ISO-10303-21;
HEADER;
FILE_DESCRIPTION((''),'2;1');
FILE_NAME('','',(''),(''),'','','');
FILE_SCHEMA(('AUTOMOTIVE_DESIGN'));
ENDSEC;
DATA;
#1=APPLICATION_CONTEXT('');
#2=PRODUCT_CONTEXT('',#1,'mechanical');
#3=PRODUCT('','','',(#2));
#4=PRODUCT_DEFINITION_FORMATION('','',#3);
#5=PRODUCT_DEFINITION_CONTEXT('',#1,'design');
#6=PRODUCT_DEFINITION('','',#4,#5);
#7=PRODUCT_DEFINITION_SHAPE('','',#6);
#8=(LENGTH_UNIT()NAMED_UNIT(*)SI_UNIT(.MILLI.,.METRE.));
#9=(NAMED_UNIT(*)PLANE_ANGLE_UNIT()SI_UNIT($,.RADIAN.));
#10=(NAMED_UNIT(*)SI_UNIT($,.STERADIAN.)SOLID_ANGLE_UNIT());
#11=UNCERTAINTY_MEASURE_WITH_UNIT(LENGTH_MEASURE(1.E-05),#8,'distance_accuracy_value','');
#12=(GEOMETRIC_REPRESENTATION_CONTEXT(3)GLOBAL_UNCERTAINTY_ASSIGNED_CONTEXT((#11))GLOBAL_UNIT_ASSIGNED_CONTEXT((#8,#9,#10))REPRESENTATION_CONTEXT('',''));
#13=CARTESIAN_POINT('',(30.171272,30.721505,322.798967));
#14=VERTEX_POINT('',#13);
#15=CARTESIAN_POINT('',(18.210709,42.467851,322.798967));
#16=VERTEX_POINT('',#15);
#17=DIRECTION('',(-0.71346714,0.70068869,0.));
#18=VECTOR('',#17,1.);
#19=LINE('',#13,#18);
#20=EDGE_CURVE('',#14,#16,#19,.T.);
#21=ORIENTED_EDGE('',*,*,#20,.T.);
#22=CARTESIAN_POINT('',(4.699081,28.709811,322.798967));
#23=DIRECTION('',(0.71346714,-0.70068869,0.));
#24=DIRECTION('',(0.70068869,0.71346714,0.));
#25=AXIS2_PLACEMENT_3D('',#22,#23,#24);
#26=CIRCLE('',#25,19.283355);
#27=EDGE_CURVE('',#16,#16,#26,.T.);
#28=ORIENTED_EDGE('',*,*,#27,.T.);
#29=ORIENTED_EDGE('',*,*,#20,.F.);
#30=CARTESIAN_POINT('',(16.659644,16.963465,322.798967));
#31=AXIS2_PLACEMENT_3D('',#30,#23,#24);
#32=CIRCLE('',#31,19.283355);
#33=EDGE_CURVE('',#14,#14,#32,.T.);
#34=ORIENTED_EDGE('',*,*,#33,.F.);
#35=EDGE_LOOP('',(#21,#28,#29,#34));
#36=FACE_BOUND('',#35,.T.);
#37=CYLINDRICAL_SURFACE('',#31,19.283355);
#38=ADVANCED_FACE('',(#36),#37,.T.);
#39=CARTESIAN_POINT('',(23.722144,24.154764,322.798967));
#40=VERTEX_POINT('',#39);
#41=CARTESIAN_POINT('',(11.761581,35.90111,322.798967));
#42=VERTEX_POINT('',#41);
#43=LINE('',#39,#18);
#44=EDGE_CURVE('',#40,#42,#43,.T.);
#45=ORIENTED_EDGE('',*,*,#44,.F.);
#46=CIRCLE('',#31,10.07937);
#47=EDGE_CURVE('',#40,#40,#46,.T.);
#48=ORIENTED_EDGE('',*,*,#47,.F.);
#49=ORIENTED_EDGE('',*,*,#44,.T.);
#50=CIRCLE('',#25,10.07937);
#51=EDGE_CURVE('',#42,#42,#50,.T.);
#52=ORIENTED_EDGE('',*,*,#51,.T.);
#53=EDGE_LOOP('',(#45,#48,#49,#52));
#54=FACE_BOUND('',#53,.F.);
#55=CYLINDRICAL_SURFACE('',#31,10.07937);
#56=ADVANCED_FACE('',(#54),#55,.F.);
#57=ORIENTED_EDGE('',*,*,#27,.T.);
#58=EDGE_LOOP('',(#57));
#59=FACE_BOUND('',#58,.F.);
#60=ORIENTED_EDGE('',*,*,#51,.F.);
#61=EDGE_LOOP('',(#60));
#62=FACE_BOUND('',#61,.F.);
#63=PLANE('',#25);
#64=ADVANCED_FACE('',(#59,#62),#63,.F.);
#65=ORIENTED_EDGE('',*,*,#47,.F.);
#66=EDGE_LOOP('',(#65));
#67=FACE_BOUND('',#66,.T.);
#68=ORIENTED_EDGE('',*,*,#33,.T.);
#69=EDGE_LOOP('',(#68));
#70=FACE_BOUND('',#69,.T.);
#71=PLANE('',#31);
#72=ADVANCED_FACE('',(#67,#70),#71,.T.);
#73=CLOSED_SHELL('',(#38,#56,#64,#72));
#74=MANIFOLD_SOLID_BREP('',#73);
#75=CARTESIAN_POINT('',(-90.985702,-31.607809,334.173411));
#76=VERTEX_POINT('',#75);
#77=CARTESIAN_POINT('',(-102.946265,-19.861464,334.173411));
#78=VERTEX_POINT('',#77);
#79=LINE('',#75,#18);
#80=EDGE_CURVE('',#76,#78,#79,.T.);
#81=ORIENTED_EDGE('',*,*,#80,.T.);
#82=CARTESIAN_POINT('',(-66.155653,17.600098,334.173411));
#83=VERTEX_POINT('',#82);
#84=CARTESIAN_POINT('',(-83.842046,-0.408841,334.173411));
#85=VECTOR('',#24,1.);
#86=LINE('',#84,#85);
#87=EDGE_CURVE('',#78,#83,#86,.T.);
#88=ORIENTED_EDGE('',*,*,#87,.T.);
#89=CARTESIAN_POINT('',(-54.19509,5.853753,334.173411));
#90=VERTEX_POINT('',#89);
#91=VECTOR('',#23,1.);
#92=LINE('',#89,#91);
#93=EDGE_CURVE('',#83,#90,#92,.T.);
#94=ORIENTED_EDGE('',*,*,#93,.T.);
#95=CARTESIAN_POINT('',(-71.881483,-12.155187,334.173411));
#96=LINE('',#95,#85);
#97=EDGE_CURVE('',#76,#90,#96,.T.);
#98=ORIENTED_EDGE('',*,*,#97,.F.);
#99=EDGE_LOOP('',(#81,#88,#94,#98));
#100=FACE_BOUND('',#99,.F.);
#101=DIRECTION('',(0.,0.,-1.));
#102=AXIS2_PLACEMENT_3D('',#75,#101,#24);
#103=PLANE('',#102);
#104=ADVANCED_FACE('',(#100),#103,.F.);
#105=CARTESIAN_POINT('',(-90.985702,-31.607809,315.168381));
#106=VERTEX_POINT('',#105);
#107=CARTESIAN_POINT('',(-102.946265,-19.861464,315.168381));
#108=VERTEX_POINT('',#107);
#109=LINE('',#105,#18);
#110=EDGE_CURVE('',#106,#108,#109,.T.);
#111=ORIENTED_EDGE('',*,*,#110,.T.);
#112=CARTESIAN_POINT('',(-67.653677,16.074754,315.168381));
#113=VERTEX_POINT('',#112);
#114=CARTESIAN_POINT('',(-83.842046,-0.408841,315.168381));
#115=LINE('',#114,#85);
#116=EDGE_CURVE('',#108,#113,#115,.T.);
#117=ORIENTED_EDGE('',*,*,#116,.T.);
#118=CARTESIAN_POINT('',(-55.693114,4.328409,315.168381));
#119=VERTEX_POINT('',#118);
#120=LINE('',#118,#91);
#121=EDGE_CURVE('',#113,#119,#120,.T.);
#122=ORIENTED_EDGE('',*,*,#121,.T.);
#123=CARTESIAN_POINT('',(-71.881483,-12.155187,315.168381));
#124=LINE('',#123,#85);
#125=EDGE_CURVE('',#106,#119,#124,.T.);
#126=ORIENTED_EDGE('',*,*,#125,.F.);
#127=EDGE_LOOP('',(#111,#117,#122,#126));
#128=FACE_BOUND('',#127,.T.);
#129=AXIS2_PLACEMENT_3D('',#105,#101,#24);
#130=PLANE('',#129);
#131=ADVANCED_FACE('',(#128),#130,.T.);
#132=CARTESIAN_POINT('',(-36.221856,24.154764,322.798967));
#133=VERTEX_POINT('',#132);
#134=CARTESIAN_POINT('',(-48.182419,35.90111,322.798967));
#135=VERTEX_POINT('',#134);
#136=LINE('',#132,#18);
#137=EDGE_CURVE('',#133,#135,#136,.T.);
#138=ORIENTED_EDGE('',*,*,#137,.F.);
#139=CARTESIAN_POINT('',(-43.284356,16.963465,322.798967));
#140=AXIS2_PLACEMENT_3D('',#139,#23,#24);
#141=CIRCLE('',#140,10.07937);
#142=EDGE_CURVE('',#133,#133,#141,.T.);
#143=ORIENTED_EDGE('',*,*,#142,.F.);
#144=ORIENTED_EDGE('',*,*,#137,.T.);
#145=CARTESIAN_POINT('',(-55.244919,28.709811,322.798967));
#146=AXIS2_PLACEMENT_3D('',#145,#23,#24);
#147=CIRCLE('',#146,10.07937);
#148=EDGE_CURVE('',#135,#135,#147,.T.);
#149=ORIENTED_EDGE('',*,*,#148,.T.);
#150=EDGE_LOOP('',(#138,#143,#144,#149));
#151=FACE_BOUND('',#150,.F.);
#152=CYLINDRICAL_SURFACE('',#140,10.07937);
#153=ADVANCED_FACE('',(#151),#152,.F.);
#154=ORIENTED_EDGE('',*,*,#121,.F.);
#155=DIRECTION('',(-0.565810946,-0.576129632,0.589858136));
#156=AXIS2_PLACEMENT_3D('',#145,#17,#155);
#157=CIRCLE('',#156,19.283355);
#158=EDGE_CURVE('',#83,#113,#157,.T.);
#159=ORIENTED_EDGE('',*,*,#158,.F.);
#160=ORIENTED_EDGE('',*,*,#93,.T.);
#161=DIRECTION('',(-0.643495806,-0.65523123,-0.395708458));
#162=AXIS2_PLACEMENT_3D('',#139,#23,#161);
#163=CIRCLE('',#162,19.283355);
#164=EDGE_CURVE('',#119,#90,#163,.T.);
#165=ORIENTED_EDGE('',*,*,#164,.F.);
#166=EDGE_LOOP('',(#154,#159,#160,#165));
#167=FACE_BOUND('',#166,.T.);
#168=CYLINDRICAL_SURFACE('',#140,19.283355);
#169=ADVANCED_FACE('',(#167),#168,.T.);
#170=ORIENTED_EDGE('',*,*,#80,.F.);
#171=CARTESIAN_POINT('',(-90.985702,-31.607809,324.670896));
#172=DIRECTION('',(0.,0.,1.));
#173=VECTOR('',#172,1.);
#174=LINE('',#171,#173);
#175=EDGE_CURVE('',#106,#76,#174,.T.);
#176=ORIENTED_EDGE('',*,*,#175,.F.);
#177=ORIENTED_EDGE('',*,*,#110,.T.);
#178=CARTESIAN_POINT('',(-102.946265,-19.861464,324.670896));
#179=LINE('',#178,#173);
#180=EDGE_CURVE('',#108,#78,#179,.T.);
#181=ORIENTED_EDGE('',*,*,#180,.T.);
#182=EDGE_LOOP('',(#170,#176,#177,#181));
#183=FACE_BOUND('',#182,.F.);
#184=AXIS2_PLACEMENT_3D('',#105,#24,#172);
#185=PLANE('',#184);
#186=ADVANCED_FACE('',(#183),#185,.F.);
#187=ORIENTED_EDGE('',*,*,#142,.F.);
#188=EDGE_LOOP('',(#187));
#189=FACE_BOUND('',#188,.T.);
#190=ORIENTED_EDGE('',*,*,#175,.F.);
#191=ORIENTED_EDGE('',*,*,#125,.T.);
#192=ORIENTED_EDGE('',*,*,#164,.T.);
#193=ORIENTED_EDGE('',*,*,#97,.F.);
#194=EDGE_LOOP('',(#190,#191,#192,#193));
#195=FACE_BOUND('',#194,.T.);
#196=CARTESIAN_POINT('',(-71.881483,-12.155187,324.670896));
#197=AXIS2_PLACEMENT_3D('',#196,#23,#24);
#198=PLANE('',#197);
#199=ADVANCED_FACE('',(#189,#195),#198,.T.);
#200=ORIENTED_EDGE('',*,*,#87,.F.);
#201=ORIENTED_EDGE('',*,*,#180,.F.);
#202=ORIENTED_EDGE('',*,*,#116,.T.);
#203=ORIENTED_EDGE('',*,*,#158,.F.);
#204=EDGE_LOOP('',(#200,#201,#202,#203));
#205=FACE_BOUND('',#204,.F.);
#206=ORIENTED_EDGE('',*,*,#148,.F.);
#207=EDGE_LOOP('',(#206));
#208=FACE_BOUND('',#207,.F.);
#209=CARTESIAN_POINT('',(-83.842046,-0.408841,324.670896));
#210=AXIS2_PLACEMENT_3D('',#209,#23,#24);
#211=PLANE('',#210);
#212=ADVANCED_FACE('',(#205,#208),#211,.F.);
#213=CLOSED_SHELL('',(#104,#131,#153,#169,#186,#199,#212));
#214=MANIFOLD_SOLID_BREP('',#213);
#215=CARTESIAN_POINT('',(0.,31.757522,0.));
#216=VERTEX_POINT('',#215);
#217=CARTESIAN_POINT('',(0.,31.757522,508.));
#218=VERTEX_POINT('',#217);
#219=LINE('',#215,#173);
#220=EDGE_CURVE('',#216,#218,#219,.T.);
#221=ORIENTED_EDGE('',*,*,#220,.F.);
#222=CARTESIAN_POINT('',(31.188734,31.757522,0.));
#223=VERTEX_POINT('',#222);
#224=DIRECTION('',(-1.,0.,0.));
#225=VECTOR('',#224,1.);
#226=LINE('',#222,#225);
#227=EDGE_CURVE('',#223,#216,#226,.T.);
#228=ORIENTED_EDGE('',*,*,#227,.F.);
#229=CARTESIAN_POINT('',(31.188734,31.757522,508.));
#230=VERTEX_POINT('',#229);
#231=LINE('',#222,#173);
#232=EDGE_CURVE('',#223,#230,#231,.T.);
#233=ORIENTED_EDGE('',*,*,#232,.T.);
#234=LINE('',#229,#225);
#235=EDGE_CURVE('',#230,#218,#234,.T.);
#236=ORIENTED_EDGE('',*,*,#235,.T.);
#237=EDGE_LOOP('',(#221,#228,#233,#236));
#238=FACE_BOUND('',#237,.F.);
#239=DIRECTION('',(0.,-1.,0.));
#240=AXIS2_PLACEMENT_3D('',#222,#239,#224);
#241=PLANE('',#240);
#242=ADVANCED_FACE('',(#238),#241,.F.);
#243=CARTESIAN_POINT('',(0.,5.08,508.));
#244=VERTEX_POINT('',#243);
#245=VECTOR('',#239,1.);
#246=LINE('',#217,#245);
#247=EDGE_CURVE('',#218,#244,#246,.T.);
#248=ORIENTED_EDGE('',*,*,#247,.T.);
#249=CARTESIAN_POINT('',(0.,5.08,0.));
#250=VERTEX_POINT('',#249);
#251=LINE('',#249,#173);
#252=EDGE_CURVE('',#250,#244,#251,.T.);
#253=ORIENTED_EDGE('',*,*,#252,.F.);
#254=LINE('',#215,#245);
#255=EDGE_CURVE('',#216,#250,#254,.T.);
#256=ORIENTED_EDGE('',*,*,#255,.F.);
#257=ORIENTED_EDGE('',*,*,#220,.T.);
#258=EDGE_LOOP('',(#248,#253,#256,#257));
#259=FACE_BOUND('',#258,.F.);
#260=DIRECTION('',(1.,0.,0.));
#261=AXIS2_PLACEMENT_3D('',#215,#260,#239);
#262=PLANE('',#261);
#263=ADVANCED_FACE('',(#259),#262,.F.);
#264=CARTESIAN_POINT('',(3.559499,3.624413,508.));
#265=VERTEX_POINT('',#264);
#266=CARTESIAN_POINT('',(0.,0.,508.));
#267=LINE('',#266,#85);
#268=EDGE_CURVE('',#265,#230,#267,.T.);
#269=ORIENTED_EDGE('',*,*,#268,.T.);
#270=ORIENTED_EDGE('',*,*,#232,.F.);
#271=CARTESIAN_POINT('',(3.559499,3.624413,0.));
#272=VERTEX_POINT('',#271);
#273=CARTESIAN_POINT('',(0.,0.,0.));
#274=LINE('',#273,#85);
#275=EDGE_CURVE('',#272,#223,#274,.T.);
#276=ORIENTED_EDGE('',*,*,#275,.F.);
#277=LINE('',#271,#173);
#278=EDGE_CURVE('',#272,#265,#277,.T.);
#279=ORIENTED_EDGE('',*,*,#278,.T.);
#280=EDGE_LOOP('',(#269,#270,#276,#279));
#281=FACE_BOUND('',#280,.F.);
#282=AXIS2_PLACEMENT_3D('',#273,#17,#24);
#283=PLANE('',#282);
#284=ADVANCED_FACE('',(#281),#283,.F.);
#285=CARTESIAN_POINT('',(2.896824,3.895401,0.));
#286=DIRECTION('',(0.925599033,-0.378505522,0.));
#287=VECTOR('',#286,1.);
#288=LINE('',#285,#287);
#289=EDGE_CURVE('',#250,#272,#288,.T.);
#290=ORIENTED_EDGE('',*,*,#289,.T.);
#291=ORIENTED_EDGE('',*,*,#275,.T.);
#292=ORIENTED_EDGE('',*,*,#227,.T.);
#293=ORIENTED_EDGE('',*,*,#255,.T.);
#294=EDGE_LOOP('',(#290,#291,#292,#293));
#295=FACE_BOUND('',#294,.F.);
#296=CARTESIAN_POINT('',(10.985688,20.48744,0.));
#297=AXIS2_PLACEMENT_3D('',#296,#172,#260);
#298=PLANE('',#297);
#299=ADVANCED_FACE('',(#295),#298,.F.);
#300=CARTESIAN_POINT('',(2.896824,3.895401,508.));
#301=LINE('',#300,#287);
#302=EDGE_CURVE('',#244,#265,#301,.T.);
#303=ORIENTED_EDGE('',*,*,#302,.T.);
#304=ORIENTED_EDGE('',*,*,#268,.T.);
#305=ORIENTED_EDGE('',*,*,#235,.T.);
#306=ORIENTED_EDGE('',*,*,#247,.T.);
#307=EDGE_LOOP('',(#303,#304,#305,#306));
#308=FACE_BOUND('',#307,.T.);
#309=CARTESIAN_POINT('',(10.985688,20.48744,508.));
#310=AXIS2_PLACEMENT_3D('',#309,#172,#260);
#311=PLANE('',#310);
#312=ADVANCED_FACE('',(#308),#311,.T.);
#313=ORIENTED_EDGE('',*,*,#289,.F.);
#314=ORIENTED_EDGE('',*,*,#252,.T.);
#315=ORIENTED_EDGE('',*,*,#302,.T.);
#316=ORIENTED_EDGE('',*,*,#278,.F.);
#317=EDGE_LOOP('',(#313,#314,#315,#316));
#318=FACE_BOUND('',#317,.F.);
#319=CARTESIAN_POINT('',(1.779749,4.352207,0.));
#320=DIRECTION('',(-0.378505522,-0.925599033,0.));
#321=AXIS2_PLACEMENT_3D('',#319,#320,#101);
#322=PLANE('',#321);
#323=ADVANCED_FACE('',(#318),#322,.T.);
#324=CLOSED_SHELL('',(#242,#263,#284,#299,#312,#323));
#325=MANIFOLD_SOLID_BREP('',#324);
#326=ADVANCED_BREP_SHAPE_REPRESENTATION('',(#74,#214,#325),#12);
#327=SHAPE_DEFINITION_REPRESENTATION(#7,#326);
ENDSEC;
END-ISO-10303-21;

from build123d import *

# Parameters (mm, degrees)
F1_DEPTH = 508
F2_R     = 19.283354884
F2_R_2   = 10.0793696438
F3_DEPTH = 16.764
F5_W     = 54.5298345387
F5_H     = 19.0050303936
F6_DEPTH = 16.764
F7_SIZE  = 5.08


with BuildPart() as f1:
    # F0 (on Top) → F1 (new body)
    with BuildSketch(Plane.XY):
        Polygon((0, 31.7575223744), (0, 0), (31.1887338758, 31.7575223744), align=None)
    extrude(amount=F1_DEPTH)

    # F7
    f7_edges = [f1.edges().sort_by_distance(p)[0] for p in [
        (0, 0, 254),
    ]]
    chamfer(f7_edges, length=F7_SIZE)


with BuildPart() as f3:
    # F2 (on face) → F3 (new body)
    with BuildSketch(Plane(origin=(0, 0, 0), x_dir=(0.7006886901, 0.7134671398, 0), z_dir=(0.7134671398, -0.7006886901, 0))):
        with Locations((23.7760990858, 322.7989673615)):
            Circle(F2_R)
        with Locations((23.7760990858, 322.7989673615)):
            Circle(F2_R_2, mode=Mode.SUBTRACT)
    extrude(amount=-F3_DEPTH)


with BuildPart() as f4_1:
    # F4: copy of F3
    add(f3.part.moved(Location((-59.944, 0, 0))))

    # F5 (on face) → F6 (join, through all)
    with BuildSketch(Plane(origin=(-30.5136155954, 29.9671059088, 0), x_dir=(0.7006886901, 0.7134671398, 0), z_dir=(0.7134671398, -0.7006886901, 0))):
        with Locations((-59.038868174, 324.6708959341)):
            Rectangle(F5_W, F5_H)
    extrude(amount=-F6_DEPTH)


solid = Compound([f1.part, f3.part, f4_1.part])
